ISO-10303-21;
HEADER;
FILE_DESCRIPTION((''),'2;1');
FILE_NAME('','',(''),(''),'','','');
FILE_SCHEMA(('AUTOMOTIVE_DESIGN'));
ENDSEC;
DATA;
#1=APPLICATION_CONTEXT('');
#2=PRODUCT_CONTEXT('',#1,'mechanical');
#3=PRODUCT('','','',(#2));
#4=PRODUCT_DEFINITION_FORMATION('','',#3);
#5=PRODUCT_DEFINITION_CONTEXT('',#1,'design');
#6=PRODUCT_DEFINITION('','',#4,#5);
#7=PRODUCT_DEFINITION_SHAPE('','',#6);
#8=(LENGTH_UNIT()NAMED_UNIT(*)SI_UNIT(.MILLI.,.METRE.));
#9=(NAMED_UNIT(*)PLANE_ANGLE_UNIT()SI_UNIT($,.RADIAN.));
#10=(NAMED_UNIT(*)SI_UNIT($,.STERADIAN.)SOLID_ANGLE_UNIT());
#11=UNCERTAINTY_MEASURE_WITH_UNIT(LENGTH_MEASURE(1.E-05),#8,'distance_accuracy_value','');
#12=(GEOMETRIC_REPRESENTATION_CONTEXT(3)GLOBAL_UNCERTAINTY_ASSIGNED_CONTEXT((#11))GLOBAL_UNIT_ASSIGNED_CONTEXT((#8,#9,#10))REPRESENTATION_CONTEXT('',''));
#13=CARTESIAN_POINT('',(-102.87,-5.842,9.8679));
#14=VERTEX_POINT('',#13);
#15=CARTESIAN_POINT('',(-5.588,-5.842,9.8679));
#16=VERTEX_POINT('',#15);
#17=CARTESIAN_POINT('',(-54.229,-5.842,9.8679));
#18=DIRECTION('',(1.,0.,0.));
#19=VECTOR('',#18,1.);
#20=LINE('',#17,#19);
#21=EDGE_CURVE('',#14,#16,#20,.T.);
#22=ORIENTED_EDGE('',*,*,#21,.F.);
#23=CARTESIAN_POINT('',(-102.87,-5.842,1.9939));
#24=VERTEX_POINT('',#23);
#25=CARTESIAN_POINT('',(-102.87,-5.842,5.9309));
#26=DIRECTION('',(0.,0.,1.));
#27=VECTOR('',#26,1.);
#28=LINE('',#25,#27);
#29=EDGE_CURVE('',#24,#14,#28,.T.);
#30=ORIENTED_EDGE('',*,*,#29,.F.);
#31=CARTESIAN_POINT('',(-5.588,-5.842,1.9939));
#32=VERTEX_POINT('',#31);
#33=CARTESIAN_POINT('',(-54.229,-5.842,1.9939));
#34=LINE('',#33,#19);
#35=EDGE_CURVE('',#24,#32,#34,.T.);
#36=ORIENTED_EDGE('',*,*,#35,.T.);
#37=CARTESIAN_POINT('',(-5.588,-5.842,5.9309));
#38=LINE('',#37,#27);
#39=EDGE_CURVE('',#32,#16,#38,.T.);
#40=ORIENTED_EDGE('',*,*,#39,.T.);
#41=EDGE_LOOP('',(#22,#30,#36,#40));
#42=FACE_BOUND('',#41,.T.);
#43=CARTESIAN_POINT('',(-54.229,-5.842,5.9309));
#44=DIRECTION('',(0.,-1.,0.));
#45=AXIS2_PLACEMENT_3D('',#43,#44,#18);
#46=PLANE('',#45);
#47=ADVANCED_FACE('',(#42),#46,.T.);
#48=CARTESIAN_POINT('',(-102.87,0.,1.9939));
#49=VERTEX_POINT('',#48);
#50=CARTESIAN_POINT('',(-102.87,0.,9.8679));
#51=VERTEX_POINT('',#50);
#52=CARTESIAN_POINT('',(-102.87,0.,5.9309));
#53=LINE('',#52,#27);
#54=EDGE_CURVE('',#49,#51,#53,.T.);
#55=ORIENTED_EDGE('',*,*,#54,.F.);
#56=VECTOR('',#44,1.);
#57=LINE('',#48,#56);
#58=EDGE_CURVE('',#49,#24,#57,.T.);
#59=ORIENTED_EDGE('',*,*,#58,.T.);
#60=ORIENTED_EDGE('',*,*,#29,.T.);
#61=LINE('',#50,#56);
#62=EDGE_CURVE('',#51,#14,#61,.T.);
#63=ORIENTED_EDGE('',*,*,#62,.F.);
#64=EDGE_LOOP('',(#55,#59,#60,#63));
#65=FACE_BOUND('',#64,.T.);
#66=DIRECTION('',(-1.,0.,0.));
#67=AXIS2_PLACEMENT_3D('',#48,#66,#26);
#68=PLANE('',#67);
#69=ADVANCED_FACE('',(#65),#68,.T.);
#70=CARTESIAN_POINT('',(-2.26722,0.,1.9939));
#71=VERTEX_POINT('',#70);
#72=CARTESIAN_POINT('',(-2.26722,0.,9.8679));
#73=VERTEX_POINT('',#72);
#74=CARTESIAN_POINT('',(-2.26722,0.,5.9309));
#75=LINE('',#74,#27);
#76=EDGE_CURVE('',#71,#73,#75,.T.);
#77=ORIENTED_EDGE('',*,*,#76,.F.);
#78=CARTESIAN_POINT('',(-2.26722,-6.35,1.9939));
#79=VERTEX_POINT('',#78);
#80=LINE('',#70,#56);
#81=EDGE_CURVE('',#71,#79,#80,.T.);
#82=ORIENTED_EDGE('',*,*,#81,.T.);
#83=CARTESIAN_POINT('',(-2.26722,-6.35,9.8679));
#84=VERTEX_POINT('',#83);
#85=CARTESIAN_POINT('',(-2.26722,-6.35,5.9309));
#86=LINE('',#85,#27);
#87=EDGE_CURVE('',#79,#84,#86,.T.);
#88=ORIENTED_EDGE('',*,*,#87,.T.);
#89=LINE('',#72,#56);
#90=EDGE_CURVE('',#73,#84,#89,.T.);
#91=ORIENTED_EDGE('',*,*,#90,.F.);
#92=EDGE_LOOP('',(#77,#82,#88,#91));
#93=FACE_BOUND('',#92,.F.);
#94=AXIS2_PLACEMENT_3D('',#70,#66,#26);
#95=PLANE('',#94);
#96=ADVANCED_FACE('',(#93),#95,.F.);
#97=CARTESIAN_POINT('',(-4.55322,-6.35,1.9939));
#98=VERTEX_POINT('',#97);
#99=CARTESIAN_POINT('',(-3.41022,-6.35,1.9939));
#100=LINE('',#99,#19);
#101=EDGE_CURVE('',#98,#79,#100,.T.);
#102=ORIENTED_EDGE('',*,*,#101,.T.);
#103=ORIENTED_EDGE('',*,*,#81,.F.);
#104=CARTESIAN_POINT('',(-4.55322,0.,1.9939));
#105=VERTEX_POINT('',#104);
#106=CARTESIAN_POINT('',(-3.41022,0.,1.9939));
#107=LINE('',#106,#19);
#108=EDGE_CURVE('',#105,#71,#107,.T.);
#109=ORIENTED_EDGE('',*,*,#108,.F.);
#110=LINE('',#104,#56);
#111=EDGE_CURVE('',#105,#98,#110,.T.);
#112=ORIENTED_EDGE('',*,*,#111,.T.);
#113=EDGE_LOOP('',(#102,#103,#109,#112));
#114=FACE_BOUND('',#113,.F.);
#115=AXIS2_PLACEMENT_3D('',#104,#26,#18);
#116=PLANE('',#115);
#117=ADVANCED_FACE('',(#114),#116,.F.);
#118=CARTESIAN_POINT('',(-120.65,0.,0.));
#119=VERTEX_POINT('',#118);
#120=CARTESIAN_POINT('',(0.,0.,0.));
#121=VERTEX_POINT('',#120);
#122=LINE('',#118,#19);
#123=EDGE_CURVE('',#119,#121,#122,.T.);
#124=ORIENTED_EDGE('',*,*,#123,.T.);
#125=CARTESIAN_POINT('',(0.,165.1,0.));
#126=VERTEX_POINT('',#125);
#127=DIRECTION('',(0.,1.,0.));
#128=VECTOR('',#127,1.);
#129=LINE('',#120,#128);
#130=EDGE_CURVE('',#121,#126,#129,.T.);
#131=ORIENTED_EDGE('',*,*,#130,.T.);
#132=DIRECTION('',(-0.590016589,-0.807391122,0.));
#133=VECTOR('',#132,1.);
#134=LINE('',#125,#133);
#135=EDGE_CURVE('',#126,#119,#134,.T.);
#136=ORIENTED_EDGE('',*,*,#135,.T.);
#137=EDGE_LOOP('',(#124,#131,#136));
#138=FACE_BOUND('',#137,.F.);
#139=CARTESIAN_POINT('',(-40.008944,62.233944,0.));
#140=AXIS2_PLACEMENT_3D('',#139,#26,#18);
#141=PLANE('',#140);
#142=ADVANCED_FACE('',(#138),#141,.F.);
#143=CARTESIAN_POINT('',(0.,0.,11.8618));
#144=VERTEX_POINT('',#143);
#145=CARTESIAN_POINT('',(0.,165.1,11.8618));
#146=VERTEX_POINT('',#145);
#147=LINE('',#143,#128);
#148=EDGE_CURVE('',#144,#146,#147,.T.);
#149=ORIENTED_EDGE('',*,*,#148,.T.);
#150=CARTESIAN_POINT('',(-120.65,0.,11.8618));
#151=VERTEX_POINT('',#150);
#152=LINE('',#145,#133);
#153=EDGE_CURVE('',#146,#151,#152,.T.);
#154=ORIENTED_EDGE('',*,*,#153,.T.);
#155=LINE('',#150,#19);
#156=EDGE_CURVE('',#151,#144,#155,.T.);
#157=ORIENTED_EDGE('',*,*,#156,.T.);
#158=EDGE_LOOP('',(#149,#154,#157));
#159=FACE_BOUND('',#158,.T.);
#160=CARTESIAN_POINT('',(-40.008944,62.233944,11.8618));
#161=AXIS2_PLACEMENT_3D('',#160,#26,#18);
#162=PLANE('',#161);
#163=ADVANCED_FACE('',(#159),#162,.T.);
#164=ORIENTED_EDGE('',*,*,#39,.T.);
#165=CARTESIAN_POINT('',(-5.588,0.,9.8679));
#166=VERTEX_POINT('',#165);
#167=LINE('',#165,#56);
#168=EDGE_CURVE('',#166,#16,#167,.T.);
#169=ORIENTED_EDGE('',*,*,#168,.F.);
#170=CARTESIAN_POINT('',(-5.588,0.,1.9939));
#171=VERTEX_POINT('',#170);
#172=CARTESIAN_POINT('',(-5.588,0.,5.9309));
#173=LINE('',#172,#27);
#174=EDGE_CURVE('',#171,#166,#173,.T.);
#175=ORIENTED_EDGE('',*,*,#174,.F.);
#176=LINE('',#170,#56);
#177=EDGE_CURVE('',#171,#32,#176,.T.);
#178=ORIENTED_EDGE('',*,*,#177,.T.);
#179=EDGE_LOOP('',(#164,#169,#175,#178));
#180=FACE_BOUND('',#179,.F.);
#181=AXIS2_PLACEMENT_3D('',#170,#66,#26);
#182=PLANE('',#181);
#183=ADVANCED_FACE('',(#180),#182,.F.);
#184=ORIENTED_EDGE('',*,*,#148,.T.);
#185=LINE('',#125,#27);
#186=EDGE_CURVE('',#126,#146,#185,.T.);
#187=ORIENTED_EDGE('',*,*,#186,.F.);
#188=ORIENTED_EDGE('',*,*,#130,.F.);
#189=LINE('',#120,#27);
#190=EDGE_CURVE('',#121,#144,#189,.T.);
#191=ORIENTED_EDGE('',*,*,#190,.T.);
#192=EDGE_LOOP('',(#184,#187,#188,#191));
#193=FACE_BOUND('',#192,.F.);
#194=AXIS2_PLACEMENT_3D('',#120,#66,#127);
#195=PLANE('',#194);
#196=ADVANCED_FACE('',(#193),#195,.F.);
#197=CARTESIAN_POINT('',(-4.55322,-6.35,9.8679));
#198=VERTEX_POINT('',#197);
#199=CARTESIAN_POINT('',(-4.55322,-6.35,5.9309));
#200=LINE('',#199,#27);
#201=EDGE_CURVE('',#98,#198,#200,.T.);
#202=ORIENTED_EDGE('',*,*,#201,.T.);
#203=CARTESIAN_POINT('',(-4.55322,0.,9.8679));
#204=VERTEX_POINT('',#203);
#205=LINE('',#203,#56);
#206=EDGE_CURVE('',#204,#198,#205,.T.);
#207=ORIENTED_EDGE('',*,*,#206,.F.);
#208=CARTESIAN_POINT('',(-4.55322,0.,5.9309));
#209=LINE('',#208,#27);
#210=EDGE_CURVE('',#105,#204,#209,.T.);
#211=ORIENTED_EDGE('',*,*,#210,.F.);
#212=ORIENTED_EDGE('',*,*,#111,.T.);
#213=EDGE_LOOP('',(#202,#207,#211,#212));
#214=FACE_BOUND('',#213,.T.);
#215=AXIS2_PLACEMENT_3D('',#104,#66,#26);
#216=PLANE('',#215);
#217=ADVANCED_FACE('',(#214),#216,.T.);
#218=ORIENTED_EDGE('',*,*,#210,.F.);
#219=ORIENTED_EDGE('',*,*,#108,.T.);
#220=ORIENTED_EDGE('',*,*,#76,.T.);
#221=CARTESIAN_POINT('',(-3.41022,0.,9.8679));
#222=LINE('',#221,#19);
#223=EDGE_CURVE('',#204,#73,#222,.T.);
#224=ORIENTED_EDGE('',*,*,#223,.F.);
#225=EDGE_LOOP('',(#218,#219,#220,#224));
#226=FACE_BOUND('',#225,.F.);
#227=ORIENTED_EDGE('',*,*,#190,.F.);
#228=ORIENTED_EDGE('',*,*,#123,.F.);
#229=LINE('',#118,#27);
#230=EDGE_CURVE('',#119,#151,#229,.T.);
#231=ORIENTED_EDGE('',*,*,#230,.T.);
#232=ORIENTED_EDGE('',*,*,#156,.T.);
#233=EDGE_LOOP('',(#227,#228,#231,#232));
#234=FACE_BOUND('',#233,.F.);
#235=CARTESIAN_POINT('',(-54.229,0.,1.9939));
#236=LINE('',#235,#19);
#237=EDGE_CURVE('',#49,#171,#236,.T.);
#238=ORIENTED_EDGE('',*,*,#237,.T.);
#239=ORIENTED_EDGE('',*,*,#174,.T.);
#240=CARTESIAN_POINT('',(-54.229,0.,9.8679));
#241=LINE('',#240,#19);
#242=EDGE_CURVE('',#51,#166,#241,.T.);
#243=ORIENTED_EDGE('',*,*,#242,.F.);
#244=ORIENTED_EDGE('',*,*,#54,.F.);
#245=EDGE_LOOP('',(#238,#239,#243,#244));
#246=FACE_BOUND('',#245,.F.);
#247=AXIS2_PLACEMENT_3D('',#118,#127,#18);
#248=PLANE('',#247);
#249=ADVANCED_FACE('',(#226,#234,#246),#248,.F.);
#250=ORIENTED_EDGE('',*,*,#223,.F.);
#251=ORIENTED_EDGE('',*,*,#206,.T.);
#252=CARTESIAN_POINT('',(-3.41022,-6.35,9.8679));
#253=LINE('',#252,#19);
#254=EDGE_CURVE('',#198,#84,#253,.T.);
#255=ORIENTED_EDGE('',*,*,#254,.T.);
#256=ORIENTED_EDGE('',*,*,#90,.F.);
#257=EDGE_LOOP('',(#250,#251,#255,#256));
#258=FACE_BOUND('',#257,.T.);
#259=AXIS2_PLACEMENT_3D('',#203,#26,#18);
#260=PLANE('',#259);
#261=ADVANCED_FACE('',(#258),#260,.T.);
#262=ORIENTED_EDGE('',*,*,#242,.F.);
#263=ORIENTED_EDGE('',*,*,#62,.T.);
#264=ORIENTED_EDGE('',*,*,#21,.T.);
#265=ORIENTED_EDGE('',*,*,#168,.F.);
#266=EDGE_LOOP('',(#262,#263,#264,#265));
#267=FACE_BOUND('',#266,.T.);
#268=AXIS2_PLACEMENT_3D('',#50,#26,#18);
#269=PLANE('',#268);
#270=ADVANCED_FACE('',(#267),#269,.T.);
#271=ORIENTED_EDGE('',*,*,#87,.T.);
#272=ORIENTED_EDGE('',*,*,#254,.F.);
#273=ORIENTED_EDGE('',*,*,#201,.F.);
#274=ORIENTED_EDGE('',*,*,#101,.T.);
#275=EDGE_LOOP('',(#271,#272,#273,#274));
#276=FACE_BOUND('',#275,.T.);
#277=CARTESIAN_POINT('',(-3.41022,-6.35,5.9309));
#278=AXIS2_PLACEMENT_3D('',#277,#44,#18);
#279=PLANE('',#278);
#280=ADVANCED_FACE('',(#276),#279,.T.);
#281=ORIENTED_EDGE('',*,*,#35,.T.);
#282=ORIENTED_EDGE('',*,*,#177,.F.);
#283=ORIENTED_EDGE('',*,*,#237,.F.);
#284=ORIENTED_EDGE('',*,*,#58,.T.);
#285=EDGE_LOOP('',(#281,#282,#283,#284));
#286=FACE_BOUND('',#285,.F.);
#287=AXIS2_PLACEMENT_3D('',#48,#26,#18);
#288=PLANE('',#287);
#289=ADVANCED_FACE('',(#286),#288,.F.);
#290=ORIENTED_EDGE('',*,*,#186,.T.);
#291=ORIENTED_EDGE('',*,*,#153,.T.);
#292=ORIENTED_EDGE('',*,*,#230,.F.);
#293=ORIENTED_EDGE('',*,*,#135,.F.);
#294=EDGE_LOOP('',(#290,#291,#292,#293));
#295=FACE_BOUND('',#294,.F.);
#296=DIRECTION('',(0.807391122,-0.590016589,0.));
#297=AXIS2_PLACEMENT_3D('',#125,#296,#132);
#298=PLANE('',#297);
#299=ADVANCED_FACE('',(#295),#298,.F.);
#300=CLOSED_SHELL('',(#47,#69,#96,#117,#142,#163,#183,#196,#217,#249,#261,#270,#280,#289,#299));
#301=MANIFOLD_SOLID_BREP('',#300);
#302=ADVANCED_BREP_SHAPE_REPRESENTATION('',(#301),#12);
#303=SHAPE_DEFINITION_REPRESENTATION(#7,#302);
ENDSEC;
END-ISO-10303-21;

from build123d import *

# Parameters (mm, degrees)
F1_DEPTH = 11.8618
F2_W     = 97.282
F2_H     = 7.874
F3_DEPTH = 5.842
F4_W     = 2.286
F4_H     = 7.874
F5_DEPTH = 6.35


with BuildPart() as f1:
    # F0 (on Top) → F1 (new body)
    with BuildSketch(Plane.XY):
        Polygon((-120.65, 0), (0, 0), (0, 165.1), align=None)
    extrude(amount=F1_DEPTH)

    # F2 (on face) → F3 (join)
    with BuildSketch(Plane.XZ):
        with Locations((-54.229, 5.9309)):
            Rectangle(F2_W, F2_H)
    extrude(amount=F3_DEPTH)

    # F4 (on face) → F5 (join)
    with BuildSketch(Plane.XZ):
        with Locations((-3.41022, 5.9309)):
            Rectangle(F4_W, F4_H)
    extrude(amount=F5_DEPTH)


solid = f1.part
